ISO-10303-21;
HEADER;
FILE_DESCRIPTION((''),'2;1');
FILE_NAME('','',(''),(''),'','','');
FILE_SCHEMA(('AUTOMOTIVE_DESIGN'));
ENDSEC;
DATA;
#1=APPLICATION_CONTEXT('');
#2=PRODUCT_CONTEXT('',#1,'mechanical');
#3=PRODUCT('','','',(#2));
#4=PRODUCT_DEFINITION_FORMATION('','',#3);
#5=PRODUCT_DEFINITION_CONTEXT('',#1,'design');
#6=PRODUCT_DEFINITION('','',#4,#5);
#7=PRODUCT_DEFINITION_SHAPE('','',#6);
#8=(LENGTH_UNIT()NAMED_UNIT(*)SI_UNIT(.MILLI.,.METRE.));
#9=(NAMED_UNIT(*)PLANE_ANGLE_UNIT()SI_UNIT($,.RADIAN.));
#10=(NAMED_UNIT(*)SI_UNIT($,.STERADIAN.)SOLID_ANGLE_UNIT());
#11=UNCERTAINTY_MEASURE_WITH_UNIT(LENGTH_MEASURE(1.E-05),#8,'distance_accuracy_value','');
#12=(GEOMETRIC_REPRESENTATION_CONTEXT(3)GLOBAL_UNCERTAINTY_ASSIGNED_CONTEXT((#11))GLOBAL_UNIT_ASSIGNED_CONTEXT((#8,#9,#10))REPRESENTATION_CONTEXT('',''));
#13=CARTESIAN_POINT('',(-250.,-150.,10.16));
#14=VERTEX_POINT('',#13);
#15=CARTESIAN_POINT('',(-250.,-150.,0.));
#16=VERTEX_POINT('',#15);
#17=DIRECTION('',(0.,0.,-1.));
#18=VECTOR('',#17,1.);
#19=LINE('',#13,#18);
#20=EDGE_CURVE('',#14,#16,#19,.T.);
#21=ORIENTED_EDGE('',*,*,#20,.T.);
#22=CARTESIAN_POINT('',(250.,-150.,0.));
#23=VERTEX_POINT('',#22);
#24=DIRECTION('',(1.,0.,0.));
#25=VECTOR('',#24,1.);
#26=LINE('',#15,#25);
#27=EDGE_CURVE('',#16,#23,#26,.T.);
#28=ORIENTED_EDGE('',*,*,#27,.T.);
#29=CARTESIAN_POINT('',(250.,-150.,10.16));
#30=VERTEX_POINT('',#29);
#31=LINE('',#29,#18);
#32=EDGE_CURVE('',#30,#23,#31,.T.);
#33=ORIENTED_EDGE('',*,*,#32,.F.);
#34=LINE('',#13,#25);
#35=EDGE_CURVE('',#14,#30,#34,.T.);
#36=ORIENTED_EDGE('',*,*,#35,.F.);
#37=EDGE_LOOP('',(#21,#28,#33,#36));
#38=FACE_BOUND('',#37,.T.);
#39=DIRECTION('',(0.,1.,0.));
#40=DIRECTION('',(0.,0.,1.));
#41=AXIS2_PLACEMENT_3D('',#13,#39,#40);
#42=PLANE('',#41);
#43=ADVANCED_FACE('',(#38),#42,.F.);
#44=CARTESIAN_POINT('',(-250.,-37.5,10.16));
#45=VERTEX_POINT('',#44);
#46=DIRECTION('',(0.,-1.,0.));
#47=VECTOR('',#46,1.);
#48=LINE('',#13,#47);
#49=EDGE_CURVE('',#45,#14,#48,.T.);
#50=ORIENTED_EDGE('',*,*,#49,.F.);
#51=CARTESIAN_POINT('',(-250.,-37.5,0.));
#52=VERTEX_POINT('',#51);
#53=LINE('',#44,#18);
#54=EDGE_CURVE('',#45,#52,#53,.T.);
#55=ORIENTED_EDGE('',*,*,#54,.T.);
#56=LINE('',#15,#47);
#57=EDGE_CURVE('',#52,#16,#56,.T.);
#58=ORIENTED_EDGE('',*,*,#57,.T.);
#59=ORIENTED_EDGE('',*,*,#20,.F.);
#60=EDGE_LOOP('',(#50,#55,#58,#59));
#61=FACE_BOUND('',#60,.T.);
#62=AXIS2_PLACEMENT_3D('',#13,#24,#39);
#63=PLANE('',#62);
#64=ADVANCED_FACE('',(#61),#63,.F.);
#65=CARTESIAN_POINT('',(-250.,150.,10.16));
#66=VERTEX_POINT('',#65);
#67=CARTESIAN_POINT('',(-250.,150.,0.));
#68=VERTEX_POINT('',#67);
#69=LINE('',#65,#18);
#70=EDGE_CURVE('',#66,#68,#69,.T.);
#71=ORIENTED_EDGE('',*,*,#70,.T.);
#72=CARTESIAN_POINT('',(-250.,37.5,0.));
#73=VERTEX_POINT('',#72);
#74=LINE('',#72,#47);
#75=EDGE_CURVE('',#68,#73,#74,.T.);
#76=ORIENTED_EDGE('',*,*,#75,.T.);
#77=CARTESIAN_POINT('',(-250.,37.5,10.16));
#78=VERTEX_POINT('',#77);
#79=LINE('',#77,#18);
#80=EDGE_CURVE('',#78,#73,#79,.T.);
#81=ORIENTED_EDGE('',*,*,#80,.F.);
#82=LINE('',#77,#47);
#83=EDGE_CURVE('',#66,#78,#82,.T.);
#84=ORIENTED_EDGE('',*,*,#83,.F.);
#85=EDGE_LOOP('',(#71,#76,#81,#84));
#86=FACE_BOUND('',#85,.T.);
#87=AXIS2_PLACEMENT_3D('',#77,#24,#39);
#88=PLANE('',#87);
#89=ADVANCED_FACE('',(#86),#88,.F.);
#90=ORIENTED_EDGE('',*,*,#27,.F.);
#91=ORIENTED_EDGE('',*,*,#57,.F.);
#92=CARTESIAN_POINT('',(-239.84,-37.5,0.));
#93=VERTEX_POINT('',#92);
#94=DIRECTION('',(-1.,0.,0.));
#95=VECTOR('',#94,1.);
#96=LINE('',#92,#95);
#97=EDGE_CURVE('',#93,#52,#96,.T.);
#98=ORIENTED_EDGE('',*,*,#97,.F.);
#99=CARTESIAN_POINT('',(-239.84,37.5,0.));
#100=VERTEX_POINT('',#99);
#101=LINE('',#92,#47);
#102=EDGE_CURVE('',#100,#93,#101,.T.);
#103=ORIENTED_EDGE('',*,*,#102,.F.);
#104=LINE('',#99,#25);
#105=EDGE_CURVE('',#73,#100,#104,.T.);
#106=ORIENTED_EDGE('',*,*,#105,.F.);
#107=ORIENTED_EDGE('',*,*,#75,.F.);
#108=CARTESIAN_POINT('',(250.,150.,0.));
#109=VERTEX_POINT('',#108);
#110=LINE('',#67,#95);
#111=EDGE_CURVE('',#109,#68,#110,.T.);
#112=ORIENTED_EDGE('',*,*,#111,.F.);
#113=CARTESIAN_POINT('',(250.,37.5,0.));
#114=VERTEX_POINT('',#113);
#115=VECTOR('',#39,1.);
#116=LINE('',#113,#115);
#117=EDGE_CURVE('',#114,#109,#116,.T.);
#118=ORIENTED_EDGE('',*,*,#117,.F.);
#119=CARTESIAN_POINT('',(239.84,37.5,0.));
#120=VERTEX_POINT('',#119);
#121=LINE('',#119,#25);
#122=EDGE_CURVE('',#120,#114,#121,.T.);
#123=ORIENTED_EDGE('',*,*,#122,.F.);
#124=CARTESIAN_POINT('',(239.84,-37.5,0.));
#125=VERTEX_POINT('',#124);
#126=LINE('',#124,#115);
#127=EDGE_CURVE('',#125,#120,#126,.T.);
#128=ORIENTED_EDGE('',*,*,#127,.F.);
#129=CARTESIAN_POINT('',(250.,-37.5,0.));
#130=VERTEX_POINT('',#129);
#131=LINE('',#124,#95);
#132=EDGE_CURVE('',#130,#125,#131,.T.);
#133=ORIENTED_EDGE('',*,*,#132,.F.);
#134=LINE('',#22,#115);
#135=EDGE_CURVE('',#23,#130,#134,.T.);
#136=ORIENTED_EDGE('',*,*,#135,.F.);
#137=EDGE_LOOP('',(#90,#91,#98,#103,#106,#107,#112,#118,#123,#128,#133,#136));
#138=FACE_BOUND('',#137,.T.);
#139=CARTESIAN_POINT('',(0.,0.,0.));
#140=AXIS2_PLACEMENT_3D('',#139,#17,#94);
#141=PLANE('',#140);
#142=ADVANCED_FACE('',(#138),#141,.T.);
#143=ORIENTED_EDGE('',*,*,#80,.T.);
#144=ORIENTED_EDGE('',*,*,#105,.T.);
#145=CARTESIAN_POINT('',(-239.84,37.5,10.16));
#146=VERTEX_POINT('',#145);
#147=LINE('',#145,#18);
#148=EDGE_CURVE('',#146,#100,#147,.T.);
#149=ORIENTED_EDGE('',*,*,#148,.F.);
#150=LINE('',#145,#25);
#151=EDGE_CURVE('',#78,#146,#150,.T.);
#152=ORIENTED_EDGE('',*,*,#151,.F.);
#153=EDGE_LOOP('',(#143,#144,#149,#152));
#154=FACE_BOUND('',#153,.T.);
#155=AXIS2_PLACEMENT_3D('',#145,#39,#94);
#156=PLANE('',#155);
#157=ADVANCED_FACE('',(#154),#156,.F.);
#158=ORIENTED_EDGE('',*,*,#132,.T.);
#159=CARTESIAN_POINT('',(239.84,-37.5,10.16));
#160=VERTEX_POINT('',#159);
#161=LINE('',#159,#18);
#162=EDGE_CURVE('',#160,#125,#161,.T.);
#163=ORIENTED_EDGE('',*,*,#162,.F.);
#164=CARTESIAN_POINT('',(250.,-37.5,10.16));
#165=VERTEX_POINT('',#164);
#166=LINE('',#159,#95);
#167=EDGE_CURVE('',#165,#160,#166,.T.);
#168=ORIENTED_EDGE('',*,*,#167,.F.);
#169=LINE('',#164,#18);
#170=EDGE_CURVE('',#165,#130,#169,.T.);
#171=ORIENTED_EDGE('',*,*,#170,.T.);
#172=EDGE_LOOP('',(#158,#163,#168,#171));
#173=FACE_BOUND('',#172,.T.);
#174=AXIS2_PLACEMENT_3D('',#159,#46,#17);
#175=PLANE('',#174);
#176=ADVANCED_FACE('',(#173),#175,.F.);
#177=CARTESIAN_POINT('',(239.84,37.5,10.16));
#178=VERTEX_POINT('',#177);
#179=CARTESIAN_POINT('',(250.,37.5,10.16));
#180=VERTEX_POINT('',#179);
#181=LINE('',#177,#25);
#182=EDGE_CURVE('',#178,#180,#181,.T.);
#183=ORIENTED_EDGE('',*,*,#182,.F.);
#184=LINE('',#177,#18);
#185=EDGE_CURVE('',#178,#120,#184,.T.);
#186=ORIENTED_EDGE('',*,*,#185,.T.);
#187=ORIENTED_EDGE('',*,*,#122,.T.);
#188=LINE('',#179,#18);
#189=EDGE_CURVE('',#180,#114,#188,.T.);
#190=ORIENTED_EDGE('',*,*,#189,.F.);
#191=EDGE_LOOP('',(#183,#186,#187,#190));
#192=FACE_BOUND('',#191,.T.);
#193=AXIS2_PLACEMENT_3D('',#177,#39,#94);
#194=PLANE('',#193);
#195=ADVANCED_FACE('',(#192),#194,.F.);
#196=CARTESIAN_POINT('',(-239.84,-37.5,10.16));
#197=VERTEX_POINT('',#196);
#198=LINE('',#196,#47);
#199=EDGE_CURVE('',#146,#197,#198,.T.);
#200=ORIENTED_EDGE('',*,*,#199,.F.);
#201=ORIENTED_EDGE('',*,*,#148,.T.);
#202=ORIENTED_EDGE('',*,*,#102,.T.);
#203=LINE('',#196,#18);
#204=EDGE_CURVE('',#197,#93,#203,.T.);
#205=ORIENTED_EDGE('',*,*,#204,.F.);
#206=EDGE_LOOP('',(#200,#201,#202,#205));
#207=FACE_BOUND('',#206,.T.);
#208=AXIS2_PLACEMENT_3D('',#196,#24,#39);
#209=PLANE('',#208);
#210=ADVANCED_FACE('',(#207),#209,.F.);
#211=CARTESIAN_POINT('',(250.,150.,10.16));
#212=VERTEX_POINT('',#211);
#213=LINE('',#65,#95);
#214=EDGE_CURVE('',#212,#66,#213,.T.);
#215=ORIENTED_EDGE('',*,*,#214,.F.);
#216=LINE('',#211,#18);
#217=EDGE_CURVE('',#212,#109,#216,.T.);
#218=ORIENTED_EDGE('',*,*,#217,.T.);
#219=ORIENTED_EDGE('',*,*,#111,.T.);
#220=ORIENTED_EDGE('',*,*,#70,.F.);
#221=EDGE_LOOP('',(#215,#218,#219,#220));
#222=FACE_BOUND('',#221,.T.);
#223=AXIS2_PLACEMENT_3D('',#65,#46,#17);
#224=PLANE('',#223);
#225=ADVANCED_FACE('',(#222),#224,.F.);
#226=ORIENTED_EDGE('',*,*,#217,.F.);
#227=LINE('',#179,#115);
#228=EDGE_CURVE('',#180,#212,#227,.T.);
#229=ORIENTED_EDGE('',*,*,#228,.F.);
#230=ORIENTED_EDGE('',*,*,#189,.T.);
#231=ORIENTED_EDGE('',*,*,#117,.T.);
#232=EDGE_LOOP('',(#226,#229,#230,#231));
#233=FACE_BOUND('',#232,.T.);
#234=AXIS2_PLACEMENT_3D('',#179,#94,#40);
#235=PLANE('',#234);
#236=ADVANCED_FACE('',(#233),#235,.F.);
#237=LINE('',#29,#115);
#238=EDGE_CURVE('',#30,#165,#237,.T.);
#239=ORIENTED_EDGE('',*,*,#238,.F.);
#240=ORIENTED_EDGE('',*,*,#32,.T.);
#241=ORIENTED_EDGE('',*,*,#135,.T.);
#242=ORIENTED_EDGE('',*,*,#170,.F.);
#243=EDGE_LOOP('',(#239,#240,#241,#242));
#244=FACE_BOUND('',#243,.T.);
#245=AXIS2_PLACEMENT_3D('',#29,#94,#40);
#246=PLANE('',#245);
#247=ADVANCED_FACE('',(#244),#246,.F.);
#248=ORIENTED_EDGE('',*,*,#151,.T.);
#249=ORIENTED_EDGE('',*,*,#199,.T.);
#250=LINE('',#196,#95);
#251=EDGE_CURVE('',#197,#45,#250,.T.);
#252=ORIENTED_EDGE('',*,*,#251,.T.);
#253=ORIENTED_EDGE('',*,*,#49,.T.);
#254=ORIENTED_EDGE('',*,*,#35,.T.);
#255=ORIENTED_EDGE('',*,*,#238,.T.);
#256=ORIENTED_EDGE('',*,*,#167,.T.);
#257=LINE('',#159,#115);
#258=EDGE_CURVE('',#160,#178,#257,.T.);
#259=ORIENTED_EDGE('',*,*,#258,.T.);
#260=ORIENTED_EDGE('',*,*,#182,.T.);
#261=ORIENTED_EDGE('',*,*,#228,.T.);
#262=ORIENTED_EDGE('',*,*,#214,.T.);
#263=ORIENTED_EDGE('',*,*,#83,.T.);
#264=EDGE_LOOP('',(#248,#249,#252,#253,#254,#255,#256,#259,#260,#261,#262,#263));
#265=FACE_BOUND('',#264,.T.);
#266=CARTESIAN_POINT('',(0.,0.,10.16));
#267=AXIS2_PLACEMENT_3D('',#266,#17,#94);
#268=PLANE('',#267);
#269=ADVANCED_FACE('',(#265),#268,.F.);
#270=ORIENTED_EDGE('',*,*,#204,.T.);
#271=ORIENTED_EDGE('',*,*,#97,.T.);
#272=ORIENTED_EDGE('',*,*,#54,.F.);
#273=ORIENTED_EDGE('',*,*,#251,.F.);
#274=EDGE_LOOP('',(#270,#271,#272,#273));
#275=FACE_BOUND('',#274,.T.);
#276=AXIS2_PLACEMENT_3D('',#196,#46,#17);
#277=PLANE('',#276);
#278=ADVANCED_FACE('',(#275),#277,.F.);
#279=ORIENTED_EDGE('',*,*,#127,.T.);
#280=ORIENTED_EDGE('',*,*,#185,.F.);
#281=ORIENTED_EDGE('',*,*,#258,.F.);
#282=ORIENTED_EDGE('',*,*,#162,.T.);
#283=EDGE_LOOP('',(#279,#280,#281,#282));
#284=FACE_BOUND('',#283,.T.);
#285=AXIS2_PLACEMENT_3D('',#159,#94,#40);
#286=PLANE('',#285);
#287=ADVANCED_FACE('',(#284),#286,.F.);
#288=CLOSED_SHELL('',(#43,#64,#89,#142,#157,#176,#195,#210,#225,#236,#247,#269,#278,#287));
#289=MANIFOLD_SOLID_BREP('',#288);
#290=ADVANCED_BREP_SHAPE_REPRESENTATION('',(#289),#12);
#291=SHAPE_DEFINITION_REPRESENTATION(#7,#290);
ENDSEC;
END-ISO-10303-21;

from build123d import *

# Parameters (mm, degrees)
BOSS_EXTRUDE1_DEPTH = 10.16


with BuildPart() as part:
    # Sketch1 → Boss-Extrude1 (new body)
    with BuildSketch(Plane.XY):
        Polygon((-250, -150), (250, -150), (250, -37.5), (239.84, -37.5), (239.84, 37.5), (250, 37.5), (250, 150), (-250, 150), (-250, 37.5), (-239.84, 37.5), (-239.84, -37.5), (-250, -37.5), align=None)
    extrude(amount=BOSS_EXTRUDE1_DEPTH)


solid = part.part
